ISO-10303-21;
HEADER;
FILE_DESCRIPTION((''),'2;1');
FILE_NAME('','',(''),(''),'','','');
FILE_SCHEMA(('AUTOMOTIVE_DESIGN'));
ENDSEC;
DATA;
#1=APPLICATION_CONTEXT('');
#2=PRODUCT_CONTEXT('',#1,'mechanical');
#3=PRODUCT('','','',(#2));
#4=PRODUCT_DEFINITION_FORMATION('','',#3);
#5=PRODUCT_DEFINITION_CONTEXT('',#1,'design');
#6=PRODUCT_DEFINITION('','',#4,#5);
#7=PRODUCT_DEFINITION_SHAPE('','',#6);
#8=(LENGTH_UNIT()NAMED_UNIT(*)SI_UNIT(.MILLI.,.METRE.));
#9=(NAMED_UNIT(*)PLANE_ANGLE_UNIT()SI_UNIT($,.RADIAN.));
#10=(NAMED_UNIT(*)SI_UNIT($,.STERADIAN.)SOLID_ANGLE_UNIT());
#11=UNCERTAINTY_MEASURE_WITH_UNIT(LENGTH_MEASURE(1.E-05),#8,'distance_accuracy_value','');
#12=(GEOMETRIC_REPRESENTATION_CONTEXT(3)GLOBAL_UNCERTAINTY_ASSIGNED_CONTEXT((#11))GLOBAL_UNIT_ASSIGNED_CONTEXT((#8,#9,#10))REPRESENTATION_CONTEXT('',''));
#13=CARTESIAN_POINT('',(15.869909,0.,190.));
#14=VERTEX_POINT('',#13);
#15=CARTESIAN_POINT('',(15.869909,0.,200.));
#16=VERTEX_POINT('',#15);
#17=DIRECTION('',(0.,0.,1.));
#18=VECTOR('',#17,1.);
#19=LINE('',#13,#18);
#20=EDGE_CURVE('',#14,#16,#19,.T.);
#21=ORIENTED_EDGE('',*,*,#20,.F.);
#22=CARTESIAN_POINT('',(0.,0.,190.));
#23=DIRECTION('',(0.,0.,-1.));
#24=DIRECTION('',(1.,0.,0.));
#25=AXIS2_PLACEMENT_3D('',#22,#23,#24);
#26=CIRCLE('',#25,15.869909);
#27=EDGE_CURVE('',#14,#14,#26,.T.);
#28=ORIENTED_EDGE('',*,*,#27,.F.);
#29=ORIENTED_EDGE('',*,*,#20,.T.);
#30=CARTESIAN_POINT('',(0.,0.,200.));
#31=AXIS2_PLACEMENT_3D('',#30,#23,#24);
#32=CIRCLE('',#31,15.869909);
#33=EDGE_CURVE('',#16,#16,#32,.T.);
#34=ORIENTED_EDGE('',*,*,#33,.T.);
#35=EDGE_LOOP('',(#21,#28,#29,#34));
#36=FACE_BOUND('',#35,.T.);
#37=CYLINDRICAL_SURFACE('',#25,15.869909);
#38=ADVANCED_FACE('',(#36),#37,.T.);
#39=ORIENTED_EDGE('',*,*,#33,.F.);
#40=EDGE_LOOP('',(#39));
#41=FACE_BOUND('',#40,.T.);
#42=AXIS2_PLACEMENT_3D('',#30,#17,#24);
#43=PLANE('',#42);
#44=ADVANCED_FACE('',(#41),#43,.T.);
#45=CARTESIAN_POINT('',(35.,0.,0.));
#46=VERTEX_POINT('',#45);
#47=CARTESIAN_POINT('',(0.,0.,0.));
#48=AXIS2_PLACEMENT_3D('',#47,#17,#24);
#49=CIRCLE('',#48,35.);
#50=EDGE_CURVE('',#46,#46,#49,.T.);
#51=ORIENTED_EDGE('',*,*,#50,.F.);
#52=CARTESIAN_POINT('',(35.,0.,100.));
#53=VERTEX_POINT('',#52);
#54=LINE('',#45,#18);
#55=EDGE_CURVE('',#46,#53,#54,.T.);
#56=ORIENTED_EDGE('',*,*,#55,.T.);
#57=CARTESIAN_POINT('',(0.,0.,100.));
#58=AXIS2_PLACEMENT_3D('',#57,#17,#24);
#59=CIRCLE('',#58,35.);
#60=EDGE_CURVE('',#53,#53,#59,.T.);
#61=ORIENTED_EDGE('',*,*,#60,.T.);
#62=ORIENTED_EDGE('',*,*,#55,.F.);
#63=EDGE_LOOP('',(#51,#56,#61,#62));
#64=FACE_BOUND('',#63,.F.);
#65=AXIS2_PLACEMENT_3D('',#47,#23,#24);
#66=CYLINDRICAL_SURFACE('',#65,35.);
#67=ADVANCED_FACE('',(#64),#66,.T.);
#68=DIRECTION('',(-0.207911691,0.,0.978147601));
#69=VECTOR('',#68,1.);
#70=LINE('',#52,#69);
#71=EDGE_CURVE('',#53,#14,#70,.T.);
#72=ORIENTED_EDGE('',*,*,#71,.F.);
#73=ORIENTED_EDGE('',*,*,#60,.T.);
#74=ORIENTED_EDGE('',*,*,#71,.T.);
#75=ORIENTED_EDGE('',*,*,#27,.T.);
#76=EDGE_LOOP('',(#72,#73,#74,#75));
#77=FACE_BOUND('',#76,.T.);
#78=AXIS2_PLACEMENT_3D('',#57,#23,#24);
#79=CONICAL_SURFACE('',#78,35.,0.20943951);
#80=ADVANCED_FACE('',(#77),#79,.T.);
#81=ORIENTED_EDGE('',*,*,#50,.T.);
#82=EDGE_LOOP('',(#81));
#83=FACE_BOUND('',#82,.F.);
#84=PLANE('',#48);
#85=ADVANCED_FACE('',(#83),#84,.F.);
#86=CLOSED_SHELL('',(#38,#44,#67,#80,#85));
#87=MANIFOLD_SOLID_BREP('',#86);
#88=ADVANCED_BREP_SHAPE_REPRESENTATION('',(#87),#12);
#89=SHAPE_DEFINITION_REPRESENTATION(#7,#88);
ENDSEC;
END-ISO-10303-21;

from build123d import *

# Parameters (mm, degrees)
F0_R      = 35
F1_DEPTH  = 100
F1_FACE_R = 35
F2_DEPTH  = 90
F2_TAPER  = 12
F3_DEPTH  = 10


with BuildPart() as f1:
    # F0 (on Top) → F1 (new body)
    with BuildSketch(Plane.XY):
        Circle(F0_R)
    extrude(amount=F1_DEPTH)

    # F1_face (on face) → F2 (join)
    with BuildSketch(Plane.XY.offset(100)):
        Circle(F1_FACE_R)
    extrude(amount=F2_DEPTH, taper=F2_TAPER)

    # F3 (add): a face of the model
    f3_faces = [f1.faces().sort_by_distance(p)[0] for p in [
        (0, 0, 190),
    ]]
    extrude(f3_faces, amount=F3_DEPTH)


solid = f1.part
